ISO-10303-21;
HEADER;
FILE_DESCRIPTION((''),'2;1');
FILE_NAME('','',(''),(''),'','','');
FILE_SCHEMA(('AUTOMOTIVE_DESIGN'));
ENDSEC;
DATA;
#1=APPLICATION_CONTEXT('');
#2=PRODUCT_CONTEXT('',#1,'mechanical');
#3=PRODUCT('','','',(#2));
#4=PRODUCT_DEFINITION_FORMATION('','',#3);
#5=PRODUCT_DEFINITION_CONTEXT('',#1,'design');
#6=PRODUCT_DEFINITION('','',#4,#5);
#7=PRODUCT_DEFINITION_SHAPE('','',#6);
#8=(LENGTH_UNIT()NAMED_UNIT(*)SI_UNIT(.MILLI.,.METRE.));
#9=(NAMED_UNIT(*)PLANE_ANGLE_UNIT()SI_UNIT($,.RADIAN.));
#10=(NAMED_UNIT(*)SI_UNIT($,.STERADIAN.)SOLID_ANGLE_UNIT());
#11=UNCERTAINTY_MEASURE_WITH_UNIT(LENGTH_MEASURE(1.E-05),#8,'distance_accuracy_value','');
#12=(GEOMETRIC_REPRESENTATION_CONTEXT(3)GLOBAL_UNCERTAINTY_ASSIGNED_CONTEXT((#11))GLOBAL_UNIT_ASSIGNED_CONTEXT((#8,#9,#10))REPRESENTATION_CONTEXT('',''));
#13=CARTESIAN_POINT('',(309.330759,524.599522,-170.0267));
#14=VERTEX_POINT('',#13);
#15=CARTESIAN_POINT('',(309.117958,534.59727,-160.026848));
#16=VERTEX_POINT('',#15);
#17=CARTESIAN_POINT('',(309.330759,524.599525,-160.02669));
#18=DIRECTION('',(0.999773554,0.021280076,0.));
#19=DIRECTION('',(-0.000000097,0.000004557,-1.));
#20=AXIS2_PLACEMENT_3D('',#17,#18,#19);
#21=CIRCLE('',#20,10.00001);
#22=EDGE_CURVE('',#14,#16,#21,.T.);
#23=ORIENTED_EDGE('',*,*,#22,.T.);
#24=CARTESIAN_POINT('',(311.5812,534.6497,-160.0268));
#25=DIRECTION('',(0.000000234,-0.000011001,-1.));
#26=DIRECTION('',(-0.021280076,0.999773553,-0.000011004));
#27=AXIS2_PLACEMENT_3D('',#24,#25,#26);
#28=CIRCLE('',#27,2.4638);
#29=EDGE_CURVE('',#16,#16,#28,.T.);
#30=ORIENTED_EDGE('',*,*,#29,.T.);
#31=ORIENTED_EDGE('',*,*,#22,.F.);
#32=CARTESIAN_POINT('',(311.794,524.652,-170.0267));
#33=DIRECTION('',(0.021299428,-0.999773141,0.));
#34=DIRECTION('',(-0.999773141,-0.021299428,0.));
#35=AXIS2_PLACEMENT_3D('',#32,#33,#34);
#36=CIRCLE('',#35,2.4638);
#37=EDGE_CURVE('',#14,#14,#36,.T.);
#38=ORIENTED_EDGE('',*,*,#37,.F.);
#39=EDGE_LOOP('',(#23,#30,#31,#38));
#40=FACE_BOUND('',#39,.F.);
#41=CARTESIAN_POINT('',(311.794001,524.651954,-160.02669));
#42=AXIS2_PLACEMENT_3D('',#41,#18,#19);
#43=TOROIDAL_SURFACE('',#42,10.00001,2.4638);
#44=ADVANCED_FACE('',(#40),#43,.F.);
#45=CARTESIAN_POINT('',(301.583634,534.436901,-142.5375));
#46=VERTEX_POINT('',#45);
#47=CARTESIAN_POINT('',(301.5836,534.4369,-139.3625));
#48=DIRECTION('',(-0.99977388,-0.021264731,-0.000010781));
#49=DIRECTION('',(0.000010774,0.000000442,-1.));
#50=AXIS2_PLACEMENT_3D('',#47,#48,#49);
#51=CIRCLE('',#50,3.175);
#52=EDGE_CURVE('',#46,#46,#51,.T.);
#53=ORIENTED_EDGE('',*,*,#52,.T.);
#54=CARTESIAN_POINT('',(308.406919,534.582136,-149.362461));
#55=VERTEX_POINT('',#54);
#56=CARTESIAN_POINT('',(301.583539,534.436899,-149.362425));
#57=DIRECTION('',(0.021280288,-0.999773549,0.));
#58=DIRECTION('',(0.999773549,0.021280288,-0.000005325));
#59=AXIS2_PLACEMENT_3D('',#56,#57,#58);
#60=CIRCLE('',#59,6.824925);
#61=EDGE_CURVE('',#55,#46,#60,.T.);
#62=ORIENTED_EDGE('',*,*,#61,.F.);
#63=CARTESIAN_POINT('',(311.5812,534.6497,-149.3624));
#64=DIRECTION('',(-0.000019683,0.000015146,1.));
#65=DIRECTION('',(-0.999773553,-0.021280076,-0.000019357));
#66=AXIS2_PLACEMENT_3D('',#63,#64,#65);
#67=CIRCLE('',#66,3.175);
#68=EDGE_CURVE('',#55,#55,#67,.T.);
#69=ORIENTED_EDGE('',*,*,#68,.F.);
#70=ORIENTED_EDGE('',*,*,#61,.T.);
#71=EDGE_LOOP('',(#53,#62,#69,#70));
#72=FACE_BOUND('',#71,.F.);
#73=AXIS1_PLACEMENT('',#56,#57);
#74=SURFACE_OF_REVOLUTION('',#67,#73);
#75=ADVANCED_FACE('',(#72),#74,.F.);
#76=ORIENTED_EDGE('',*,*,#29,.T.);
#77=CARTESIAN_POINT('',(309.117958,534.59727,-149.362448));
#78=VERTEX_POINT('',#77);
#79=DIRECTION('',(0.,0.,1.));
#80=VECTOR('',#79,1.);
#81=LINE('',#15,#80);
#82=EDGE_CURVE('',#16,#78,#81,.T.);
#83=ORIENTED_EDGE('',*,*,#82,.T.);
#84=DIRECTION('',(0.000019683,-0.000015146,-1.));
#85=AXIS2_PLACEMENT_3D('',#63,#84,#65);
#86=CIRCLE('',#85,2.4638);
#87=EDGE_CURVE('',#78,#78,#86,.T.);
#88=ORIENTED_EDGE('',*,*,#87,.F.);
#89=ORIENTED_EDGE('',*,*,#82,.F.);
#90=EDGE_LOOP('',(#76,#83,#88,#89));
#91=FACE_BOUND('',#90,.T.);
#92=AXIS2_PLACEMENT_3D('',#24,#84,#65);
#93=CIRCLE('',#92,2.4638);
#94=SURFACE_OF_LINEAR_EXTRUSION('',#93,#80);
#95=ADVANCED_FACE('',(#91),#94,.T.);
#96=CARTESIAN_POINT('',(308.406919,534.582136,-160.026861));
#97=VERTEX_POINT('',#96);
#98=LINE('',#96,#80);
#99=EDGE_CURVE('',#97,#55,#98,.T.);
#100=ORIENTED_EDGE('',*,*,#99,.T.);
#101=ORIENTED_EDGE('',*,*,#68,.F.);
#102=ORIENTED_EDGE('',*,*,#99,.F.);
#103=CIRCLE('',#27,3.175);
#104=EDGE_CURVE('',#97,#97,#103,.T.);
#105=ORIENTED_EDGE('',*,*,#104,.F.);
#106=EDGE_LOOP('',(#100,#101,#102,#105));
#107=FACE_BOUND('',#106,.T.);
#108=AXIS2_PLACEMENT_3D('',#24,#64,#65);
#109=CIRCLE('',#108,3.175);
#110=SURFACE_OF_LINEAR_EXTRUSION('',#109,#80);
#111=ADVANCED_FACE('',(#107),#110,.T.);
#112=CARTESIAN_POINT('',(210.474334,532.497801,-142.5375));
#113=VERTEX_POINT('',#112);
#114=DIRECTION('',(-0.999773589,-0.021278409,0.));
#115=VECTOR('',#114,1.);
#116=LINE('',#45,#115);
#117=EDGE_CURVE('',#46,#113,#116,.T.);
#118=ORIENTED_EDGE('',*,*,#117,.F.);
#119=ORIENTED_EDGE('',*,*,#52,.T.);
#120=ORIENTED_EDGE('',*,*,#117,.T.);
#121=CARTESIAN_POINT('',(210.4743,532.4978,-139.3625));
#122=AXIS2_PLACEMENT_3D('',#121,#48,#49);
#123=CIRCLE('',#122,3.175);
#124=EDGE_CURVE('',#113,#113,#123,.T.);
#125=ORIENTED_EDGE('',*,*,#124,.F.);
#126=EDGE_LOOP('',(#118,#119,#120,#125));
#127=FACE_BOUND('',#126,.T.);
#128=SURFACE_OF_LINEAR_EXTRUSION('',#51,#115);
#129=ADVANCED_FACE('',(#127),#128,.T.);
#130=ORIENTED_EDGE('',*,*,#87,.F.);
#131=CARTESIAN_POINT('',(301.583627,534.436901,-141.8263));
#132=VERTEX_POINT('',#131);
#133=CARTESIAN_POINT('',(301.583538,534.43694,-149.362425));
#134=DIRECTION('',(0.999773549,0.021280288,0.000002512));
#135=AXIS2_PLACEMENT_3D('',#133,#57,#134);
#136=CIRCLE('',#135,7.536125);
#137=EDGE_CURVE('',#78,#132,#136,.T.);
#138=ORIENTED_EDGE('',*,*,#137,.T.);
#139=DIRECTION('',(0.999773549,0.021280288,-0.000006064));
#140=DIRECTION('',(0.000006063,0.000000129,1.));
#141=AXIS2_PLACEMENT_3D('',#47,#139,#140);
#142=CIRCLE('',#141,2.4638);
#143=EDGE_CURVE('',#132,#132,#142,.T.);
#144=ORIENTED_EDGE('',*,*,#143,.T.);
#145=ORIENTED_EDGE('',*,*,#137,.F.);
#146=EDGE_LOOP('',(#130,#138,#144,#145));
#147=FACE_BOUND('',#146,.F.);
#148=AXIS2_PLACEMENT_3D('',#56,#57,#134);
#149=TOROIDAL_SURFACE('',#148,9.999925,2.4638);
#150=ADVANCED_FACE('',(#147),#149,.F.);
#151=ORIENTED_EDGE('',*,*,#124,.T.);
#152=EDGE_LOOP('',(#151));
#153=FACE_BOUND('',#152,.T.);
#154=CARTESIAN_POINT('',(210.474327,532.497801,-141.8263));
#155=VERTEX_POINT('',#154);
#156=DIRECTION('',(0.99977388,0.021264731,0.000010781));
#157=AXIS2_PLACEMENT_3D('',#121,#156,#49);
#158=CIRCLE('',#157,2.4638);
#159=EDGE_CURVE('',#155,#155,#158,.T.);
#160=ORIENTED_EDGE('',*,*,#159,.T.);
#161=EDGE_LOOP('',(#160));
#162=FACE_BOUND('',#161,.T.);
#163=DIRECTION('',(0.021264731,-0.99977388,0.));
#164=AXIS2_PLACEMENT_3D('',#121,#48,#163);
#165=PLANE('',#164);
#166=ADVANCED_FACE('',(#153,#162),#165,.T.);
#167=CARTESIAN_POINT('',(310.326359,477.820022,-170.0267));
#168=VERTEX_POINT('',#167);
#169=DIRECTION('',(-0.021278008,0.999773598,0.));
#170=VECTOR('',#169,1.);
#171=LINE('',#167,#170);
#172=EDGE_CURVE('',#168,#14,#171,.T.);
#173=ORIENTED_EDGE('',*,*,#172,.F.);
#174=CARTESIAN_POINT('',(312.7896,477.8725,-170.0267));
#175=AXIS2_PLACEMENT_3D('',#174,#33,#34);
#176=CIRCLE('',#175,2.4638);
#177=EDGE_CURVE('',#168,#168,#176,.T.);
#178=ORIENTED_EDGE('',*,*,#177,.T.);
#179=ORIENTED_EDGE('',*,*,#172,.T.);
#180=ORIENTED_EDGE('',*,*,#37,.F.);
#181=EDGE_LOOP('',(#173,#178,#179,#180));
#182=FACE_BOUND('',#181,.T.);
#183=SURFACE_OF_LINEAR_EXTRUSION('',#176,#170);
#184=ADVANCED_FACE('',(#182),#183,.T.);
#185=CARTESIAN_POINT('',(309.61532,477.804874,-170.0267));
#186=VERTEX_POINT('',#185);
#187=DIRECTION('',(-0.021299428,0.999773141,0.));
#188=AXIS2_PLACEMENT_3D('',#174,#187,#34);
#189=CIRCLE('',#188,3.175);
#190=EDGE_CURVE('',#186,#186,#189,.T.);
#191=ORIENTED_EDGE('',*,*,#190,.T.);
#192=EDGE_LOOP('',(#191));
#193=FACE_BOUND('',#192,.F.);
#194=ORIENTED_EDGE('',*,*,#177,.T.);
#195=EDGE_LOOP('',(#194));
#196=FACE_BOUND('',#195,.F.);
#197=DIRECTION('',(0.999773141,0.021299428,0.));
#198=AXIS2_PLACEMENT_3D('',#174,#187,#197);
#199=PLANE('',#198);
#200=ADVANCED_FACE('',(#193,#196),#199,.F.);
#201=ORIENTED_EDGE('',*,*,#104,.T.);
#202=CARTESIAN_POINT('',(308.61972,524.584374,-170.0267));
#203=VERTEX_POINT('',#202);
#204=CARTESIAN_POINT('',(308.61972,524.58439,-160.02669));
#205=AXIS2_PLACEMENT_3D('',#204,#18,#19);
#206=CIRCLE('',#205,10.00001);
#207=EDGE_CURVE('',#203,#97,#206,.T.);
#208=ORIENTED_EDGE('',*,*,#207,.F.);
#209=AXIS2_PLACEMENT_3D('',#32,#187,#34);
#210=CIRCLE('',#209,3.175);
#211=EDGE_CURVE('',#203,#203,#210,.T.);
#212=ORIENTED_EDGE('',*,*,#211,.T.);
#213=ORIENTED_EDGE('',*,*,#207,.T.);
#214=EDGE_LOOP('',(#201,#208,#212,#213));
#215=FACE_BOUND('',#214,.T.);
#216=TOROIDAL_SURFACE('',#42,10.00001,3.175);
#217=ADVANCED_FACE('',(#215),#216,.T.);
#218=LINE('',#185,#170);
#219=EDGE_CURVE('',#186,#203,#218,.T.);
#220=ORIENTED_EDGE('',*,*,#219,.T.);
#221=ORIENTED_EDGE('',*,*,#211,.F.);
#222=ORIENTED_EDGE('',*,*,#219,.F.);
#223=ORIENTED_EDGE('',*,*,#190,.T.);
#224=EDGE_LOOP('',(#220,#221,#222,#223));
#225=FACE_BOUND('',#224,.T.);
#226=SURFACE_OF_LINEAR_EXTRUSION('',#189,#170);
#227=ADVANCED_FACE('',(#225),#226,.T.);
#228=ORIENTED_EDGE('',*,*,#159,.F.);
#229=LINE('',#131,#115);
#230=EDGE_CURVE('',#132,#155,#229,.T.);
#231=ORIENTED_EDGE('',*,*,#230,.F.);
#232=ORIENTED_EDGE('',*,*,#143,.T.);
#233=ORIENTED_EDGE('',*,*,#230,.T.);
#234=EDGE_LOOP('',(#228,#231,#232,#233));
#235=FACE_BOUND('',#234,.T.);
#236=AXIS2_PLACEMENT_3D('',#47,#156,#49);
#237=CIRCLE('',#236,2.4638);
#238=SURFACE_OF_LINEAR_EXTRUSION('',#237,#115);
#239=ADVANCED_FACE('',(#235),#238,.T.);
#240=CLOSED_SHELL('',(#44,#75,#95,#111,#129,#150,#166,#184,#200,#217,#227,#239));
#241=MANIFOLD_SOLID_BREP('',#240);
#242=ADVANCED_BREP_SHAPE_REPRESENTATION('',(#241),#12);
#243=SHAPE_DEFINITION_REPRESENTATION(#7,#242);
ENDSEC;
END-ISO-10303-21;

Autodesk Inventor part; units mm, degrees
ref_plane "YZ Plane" through (0, 0, 0) normal (1, 0, 0) x (0, 1, 0)
ref_plane "XZ Plane" through (0, 0, 0) normal (0, 1, 0) x (-1, 0, 0)
ref_plane "Work Plane3" through (312.7896, 477.8725, -170.0267) normal (-0.0213, 0.9998, 0) x (-0.9998, -0.0213, 0)
sketch "Sketch3" plane through (312.7896, 477.8725, -170.0267) normal (-0.0213, 0.9998, 0) x (-0.9998, -0.0213, 0)
  circle A0 centre (0, 0) radius 3.175
  circle A1 centre (0, 0) radius 2.4638
sketch3d "3D Sketch1"
  line L0 (312.7896, 477.8725, -170.0267) -> (311.794, 524.652, -170.0267)
  arc A0 (311.794, 524.652, -170.0267) -> (311.5812, 534.6497, -160.0268) centre (311.794, 524.652, -160.0268) ccw
  line L1 (311.5812, 534.6497, -160.0268) -> (311.5812, 534.6497, -149.3624)
  arc A1 (311.5812, 534.6497, -149.3624) -> (301.5836, 534.4369, -139.3625) centre (301.5836, 534.4369, -149.3624) ccw
  line L2 (301.5836, 534.4369, -139.3625) -> (210.4743, 532.4978, -139.3625)
  dimension "d6" = 9.9999
  dimension "d7" = 9.9999
sweep "Sweep1" add profiles "Sketch3" path "3D Sketch1"
equation "\"OD\" = 6.35"
equation "\"t\" = 0.7112"
equation "\"L\" = PL"
equation "\"ID\" = 4.9276"
equation "\"PL\" = 180.0098"
equation "\"D\" = 15.24"
equation "\"Size_Designation\" = 1.2345"
properties material "Stainless Steel"
